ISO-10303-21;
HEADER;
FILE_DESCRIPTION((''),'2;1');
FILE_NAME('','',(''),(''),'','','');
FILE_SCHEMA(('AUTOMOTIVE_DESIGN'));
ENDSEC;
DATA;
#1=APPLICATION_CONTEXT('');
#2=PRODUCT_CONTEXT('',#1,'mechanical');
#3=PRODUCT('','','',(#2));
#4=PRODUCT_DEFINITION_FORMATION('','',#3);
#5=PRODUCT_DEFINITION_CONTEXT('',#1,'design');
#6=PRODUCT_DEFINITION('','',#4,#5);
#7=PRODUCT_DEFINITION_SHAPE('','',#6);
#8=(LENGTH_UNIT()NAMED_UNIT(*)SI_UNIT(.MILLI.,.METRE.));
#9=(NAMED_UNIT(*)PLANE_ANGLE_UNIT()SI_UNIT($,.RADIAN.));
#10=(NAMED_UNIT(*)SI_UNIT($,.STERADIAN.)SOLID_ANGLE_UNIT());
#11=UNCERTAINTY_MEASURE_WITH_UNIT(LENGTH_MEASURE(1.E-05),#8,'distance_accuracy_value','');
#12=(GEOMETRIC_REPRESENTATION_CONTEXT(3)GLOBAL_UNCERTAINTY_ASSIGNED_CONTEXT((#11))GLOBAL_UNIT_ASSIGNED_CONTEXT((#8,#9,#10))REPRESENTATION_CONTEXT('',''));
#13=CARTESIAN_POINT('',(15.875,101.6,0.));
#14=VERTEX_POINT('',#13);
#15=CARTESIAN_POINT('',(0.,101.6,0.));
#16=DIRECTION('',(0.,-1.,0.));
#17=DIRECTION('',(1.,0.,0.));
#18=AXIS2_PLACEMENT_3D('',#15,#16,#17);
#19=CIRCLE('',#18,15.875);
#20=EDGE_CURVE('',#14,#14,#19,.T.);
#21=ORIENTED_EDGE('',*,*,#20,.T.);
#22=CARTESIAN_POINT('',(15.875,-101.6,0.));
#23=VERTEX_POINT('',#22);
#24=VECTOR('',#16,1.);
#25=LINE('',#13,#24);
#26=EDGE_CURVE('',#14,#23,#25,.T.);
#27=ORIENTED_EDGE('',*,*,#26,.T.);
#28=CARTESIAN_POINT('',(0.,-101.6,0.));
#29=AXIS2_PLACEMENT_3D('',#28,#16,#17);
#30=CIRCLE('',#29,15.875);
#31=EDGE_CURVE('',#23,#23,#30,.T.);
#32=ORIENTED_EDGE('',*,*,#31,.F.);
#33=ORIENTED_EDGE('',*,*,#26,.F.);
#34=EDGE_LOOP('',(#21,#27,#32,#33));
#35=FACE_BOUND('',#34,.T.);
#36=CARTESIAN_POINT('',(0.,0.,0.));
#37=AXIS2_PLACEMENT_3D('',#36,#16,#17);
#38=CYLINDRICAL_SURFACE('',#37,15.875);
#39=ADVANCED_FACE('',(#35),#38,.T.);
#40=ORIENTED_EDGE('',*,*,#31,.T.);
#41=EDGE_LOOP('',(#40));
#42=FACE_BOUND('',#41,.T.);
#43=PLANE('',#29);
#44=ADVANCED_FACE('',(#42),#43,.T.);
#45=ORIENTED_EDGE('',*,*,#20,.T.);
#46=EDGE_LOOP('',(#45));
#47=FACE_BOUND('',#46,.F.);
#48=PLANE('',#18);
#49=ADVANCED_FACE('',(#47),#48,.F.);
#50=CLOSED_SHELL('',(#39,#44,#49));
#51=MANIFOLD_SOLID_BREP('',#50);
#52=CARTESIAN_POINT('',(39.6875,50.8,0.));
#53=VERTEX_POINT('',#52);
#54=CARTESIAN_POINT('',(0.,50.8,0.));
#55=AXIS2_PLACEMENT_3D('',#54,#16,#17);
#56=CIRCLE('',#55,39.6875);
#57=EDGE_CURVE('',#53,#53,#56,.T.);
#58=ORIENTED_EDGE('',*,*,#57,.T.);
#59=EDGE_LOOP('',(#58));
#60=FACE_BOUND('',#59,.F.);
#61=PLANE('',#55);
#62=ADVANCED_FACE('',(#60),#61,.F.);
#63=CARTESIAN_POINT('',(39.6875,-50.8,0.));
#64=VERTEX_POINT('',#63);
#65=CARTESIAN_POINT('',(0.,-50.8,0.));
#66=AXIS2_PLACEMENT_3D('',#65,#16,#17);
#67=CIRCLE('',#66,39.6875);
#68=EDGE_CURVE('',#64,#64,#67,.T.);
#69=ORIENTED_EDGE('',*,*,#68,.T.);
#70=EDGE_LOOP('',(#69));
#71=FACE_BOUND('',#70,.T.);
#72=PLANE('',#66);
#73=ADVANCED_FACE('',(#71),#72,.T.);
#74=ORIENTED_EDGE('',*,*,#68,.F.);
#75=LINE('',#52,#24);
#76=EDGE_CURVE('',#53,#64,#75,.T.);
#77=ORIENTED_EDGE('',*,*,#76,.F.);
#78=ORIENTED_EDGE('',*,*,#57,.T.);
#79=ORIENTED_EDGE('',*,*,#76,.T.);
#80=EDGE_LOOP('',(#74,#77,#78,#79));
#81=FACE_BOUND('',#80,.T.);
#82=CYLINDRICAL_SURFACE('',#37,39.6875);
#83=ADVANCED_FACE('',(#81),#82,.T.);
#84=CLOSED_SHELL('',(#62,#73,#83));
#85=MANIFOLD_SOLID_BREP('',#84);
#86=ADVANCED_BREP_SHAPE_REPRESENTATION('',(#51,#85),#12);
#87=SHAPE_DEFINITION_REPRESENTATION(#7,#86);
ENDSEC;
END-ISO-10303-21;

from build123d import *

# Parameters (mm, degrees)
F0_R     = 39.6875
F0_R_2   = 15.875
F1_DEPTH = 50.8
F2_DEPTH = 101.6


with BuildPart() as f1:
    # F0 (on Front) → F1 (new body, symmetric)
    with BuildSketch(Plane.XZ):
        Circle(F0_R)
        Circle(F0_R_2, mode=Mode.SUBTRACT)
        Circle(F0_R_2)
    extrude(amount=F1_DEPTH, both=True)


with BuildPart() as f2:
    # F0 (on Front) → F2 (new body, symmetric)
    with BuildSketch(Plane.XZ):
        Circle(F0_R_2)
    extrude(amount=F2_DEPTH, both=True)


solid = Compound([f1.part, f2.part])
